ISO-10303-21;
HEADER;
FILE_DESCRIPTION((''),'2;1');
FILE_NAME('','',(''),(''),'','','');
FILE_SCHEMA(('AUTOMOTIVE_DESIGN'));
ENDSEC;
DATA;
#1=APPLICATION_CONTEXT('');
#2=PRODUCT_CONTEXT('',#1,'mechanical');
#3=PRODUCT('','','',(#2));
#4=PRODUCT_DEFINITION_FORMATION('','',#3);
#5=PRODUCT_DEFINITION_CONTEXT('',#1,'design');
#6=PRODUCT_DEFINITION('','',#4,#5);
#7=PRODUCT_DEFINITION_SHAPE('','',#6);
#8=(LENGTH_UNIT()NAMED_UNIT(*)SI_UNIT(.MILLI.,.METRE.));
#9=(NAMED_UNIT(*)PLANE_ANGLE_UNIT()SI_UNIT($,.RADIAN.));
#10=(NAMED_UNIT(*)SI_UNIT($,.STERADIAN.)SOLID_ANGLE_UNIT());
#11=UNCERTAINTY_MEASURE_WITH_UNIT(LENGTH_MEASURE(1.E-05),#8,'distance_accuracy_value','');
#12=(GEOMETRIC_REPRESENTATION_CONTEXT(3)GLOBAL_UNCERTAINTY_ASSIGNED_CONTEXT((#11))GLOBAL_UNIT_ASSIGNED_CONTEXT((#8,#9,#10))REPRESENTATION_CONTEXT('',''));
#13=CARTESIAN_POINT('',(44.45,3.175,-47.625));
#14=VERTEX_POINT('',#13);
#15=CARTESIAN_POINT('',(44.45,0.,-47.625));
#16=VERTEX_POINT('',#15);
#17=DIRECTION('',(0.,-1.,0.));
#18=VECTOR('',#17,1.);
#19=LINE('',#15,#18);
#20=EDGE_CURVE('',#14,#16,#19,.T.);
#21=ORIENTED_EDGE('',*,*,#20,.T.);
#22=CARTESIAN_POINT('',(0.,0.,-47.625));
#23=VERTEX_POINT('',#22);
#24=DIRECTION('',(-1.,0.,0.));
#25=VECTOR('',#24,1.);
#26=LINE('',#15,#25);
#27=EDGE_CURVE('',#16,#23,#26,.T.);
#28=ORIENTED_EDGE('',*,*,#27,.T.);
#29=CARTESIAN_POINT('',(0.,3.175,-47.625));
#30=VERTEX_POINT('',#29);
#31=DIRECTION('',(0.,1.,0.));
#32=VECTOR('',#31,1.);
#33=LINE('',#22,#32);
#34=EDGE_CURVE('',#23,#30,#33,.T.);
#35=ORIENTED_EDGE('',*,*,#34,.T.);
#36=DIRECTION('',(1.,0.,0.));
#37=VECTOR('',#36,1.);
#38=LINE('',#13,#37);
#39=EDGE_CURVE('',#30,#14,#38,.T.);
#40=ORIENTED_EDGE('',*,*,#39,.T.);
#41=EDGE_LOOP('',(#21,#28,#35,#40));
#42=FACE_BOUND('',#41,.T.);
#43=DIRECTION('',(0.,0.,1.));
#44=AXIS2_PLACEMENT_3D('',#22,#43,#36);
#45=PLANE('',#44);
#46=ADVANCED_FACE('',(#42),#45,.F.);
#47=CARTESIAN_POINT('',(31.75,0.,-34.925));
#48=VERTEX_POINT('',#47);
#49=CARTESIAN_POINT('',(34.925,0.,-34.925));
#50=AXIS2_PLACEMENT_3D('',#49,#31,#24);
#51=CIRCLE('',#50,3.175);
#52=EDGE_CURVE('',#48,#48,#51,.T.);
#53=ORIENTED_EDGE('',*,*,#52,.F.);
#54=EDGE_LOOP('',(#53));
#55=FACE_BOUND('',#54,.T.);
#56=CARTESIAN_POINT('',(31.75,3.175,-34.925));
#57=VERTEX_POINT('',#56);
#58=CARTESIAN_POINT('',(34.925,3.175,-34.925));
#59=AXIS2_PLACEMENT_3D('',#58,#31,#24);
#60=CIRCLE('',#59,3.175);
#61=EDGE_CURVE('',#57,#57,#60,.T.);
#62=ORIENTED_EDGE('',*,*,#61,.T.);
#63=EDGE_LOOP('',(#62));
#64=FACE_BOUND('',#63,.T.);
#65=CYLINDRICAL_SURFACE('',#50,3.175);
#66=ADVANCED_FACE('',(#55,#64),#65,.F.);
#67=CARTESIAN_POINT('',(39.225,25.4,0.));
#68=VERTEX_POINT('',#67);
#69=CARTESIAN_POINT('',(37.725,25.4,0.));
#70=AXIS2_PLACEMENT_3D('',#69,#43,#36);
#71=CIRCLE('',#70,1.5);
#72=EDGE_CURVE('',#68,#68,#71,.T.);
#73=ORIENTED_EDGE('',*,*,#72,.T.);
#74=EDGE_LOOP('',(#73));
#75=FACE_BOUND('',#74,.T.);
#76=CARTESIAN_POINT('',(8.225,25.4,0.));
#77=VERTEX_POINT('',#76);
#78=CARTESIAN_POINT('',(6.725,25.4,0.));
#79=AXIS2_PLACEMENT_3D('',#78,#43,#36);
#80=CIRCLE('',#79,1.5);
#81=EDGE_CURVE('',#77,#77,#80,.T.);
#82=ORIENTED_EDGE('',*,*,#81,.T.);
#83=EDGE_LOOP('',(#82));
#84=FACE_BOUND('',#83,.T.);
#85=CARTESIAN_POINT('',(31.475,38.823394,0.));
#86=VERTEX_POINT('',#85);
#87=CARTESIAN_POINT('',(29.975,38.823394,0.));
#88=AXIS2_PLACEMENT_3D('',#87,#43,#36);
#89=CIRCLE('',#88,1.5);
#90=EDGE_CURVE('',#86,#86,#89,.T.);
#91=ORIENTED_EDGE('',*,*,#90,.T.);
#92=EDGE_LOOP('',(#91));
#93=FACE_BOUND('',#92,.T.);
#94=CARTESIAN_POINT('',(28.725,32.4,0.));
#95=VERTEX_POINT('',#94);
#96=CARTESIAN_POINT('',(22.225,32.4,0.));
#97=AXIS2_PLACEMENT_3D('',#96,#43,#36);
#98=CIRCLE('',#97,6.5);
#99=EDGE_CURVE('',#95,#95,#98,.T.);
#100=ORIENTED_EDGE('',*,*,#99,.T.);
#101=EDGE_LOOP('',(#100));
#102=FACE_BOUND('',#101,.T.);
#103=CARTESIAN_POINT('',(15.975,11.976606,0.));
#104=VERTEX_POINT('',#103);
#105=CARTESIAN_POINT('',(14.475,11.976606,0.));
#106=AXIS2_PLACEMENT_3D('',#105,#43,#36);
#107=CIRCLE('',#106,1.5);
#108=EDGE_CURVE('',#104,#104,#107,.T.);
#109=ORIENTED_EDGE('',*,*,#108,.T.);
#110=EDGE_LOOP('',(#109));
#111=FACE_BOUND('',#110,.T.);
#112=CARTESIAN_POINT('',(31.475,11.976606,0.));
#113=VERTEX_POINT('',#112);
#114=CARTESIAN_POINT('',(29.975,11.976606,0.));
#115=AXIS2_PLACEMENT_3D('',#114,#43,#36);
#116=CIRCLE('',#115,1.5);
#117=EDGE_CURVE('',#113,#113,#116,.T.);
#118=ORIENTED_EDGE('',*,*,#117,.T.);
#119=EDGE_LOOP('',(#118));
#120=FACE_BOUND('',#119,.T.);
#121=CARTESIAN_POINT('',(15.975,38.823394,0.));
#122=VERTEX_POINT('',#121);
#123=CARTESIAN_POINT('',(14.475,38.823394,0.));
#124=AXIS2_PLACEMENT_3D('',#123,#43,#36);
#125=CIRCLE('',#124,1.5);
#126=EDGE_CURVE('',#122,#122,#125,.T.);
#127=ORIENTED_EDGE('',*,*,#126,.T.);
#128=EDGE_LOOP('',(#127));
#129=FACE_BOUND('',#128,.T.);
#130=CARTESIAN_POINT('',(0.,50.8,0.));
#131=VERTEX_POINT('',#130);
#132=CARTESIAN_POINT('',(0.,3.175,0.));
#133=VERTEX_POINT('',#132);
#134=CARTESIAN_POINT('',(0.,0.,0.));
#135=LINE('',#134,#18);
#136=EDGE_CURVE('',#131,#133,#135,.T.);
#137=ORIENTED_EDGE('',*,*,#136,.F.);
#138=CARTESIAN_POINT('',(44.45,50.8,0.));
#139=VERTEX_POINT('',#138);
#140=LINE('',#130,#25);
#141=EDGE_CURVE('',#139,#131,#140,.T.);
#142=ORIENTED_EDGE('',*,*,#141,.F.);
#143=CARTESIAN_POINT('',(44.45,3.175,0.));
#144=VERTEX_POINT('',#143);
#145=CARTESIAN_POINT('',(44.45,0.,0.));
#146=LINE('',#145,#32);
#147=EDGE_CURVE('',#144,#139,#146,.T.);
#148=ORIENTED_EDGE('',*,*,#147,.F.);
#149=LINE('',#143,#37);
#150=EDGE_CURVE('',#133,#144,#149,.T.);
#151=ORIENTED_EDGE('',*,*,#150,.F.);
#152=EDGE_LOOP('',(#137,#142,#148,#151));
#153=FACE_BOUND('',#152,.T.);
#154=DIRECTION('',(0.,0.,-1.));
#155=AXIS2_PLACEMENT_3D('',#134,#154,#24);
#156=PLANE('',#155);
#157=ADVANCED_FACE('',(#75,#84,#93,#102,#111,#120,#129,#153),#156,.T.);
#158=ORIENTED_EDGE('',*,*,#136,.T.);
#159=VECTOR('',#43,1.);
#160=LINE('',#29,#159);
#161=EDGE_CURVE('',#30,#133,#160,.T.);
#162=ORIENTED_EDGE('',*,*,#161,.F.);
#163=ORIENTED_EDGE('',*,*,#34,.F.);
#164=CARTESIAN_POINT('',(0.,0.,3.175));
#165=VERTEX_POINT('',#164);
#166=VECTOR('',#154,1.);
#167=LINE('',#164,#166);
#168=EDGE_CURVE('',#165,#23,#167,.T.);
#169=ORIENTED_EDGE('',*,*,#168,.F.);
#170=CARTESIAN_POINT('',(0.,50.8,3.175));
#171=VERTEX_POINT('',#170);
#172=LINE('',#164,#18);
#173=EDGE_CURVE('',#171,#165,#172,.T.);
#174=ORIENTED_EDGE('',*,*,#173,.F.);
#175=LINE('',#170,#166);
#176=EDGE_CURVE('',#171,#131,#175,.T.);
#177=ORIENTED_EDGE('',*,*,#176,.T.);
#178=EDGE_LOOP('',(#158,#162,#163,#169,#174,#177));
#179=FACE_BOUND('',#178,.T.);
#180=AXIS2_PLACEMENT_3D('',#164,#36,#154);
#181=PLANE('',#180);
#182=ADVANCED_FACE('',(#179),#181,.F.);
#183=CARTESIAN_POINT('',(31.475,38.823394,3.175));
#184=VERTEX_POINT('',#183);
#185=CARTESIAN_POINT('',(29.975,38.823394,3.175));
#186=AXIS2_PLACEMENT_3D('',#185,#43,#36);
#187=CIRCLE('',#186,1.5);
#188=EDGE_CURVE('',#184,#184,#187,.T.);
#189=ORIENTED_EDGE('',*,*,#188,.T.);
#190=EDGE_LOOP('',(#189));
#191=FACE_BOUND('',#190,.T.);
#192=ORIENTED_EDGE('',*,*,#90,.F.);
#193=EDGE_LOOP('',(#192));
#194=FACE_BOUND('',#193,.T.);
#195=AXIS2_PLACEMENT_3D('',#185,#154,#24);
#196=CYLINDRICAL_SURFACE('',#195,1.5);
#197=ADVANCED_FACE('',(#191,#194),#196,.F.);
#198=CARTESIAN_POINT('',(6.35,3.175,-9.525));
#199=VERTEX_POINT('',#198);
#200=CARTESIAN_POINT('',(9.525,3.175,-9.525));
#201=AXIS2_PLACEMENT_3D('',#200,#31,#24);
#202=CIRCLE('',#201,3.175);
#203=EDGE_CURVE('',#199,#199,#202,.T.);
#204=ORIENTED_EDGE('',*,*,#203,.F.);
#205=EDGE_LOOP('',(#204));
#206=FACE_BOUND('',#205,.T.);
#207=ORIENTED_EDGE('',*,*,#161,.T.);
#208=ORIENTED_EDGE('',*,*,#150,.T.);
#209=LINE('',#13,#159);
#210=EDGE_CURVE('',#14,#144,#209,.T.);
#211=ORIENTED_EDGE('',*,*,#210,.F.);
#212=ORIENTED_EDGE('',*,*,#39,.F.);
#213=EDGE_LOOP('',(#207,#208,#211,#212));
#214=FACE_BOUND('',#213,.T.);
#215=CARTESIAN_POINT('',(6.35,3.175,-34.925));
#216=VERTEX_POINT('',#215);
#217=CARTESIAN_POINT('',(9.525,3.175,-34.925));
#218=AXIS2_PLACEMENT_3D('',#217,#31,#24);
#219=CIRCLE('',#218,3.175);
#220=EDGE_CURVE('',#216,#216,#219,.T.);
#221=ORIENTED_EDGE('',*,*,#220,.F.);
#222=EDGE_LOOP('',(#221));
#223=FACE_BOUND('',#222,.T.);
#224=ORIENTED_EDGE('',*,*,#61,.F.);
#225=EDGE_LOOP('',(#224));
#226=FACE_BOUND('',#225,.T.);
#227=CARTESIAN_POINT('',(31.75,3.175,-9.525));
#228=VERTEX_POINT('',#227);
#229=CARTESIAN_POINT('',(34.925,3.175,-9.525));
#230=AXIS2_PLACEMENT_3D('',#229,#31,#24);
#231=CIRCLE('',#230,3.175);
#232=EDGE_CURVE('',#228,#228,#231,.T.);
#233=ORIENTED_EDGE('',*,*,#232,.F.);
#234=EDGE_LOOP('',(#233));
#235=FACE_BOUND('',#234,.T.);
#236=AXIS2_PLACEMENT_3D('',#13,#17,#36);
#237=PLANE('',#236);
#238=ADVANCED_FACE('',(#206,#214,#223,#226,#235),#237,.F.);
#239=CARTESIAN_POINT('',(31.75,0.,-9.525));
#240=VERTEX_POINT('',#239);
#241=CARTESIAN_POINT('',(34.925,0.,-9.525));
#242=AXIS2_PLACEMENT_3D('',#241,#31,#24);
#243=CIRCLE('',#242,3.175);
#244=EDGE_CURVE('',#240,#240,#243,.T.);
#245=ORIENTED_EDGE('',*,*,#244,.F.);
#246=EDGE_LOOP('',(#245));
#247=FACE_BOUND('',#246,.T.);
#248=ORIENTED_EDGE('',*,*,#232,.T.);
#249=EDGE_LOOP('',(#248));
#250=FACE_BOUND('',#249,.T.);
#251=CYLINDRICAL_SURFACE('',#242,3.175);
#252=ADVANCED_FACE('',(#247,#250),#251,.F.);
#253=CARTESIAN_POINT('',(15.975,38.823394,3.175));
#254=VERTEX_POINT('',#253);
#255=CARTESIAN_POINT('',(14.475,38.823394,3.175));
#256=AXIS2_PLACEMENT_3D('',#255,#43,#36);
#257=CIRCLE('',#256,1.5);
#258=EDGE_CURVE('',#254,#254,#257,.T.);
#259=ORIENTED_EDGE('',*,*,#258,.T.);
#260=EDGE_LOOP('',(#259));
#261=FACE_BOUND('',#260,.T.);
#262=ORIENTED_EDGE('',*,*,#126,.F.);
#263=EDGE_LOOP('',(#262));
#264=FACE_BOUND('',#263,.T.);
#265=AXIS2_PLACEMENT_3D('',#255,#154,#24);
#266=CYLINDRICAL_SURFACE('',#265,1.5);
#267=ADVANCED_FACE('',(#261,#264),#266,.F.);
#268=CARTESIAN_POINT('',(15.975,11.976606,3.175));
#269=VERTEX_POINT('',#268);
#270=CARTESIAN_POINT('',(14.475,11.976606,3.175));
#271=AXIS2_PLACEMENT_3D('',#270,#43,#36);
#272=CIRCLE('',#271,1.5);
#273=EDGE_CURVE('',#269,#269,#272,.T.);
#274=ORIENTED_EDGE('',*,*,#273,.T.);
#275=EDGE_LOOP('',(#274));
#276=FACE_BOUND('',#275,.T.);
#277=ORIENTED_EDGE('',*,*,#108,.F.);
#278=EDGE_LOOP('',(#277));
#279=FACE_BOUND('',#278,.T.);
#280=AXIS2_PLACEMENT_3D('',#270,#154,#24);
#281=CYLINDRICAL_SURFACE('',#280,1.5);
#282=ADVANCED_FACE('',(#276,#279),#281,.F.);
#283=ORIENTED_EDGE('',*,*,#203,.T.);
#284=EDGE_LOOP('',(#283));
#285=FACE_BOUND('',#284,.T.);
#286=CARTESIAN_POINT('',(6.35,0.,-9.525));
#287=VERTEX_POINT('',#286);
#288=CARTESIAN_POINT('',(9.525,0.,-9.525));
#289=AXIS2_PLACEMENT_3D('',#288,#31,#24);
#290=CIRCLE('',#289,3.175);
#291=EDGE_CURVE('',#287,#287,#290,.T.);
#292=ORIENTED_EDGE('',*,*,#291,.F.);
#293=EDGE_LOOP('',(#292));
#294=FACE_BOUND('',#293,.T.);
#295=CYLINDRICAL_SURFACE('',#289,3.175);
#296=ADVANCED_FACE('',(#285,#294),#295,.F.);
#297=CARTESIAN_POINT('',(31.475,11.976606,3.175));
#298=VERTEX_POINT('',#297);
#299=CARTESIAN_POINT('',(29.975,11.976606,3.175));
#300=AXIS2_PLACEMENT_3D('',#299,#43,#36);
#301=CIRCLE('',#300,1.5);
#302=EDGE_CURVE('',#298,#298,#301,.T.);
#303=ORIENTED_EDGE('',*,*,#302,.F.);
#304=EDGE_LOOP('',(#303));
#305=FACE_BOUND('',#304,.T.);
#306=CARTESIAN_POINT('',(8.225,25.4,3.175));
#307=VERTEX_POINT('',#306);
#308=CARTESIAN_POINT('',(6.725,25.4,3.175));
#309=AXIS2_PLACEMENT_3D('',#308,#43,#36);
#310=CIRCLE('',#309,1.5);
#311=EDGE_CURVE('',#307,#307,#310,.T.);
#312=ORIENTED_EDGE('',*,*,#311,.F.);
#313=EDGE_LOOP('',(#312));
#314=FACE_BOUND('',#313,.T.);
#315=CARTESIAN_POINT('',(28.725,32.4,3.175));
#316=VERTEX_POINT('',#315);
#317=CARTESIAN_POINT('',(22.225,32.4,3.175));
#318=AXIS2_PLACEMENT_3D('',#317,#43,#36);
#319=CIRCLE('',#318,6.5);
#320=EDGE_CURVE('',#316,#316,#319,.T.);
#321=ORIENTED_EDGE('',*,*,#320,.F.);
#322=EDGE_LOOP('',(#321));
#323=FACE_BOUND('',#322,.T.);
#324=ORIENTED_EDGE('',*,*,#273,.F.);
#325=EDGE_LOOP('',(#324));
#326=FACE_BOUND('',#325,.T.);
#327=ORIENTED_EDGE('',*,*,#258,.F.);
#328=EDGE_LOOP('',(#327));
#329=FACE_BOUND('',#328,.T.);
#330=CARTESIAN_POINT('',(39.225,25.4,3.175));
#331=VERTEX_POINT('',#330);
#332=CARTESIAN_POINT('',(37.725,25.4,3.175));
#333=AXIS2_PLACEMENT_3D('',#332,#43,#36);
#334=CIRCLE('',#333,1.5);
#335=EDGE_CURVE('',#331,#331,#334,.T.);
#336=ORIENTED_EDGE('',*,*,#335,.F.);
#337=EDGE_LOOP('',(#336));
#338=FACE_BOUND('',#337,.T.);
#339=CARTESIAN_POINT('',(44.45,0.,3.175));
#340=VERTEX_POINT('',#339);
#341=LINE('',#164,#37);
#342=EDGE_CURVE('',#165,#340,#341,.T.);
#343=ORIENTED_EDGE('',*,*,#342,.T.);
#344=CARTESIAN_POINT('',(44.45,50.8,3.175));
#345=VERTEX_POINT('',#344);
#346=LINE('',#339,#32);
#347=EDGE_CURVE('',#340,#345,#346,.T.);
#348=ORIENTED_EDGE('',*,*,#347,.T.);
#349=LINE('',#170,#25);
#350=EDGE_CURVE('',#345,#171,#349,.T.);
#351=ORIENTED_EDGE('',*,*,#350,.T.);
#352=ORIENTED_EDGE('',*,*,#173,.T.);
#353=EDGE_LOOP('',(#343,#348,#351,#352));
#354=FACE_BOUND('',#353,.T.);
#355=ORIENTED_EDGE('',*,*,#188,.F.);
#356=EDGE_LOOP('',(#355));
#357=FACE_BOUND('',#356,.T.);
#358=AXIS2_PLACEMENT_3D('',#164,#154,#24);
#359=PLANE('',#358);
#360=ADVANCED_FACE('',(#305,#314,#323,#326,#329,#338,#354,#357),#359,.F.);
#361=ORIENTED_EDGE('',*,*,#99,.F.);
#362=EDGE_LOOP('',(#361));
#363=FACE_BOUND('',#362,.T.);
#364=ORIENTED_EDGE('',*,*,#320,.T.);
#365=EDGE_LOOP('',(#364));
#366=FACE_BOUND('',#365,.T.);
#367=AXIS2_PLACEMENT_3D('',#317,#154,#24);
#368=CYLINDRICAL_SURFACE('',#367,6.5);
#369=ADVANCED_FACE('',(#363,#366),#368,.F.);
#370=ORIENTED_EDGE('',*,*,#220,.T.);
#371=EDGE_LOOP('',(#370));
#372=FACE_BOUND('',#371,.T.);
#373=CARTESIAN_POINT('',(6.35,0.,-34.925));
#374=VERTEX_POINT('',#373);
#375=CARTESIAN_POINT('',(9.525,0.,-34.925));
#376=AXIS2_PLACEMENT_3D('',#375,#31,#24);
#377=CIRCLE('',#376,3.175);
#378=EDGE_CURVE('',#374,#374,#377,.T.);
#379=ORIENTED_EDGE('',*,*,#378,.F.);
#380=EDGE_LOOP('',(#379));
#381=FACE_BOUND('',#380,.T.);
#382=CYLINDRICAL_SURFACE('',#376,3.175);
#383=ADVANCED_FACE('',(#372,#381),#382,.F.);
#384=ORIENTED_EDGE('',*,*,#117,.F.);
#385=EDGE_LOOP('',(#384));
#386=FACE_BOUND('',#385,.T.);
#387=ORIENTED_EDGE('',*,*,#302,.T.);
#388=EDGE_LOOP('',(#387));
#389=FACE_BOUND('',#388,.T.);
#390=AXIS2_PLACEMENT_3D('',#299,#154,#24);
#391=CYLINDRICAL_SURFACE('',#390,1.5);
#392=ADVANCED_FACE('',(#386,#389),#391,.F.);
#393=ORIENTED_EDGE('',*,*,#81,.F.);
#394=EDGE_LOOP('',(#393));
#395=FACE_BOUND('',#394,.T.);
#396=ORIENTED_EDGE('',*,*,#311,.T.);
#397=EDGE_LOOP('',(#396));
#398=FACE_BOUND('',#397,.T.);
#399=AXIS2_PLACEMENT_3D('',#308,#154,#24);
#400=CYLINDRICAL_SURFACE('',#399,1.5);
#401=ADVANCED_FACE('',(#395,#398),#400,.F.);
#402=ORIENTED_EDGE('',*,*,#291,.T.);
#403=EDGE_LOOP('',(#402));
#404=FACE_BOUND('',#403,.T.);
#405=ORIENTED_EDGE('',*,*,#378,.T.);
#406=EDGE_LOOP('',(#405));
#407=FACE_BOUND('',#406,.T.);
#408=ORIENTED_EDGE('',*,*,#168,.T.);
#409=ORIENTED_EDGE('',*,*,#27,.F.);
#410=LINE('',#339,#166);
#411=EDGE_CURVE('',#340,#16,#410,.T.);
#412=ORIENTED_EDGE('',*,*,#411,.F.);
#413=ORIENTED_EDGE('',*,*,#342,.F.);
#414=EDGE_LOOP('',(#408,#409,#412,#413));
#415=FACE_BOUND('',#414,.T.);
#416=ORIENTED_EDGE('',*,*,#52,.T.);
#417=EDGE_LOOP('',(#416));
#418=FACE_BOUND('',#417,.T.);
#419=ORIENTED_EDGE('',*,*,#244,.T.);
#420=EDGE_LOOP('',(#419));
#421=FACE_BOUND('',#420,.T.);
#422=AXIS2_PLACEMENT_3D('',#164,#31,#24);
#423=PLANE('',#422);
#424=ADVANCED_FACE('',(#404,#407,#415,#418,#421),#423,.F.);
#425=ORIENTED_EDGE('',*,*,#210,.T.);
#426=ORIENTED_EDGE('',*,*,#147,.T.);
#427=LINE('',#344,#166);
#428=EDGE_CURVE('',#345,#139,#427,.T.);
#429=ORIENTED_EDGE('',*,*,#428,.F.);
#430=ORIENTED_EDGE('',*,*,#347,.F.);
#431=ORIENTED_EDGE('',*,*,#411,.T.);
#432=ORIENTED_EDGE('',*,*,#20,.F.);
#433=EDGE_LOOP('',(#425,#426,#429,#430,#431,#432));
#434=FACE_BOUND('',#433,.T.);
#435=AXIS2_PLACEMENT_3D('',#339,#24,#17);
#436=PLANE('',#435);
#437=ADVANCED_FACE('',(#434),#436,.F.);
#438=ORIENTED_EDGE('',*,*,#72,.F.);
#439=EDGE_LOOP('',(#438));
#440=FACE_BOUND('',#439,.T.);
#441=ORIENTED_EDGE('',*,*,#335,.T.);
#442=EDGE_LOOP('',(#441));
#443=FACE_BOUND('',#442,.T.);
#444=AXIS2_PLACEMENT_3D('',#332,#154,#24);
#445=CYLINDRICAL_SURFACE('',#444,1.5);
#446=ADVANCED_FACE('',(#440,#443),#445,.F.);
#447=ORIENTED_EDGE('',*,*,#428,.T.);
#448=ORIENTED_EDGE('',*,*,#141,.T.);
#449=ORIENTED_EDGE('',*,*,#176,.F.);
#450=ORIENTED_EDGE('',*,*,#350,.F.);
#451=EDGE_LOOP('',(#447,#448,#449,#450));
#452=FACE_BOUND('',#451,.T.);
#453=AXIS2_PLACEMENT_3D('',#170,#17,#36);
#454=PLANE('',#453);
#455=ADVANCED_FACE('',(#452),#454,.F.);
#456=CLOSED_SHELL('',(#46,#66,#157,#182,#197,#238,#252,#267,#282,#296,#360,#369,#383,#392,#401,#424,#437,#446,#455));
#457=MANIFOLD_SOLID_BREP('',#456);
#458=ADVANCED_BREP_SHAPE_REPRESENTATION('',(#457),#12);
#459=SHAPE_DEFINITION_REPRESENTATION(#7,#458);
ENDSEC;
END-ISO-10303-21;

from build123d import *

# Parameters (mm, degrees)
SKETCH1_W           = 44.45
SKETCH1_H           = 50.8
SKETCH1_R           = 6.5
SKETCH1_R_2         = 1.5
BOSS_EXTRUDE1_DEPTH = 3.175
SKETCH2_W           = 44.45
SKETCH2_H           = 3.175
BOSS_EXTRUDE2_DEPTH = 47.625
SKETCH3_R           = 3.175
CUT_EXTRUDE1_DEPTH  = 4.175


with BuildPart() as part:
    # Sketch1 → Boss-Extrude1 (new body)
    with BuildSketch(Plane.XY):
        with Locations((22.225, 25.4)):
            Rectangle(SKETCH1_W, SKETCH1_H)
        with Locations((22.225, 32.4)):
            Circle(SKETCH1_R, mode=Mode.SUBTRACT)
        with Locations((6.725, 25.4)):
            Circle(SKETCH1_R_2, mode=Mode.SUBTRACT)
        with Locations((37.725, 25.4)):
            Circle(SKETCH1_R_2, mode=Mode.SUBTRACT)
        with Locations((29.975, 11.976606241)):
            Circle(SKETCH1_R_2, mode=Mode.SUBTRACT)
        with Locations((14.475, 11.976606241)):
            Circle(SKETCH1_R_2, mode=Mode.SUBTRACT)
        with Locations((14.475, 38.823393759)):
            Circle(SKETCH1_R_2, mode=Mode.SUBTRACT)
        with Locations((29.975, 38.823393759)):
            Circle(SKETCH1_R_2, mode=Mode.SUBTRACT)
    extrude(amount=BOSS_EXTRUDE1_DEPTH)

    # Sketch2 → Boss-Extrude2 (add)
    with BuildSketch(Plane(origin=(0, 0, 0), x_dir=(-1, 0, 0), z_dir=(0, 0, -1))):
        with Locations((-22.225, 1.5875)):
            Rectangle(SKETCH2_W, SKETCH2_H)
    extrude(amount=BOSS_EXTRUDE2_DEPTH)

    # Sketch3 → Cut-Extrude1 (cut, through all)
    with BuildSketch(Plane(origin=(0, 3.175, 0), x_dir=(1, 0, 0), z_dir=(0, 1, 0))):
        with Locations((34.925, 9.525)):
            Circle(SKETCH3_R)
        with Locations((34.925, 34.925)):
            Circle(SKETCH3_R)
        with Locations((9.525, 9.525)):
            Circle(SKETCH3_R)
        with Locations((9.525, 34.925)):
            Circle(SKETCH3_R)
    extrude(amount=-CUT_EXTRUDE1_DEPTH, mode=Mode.SUBTRACT)


solid = part.part
